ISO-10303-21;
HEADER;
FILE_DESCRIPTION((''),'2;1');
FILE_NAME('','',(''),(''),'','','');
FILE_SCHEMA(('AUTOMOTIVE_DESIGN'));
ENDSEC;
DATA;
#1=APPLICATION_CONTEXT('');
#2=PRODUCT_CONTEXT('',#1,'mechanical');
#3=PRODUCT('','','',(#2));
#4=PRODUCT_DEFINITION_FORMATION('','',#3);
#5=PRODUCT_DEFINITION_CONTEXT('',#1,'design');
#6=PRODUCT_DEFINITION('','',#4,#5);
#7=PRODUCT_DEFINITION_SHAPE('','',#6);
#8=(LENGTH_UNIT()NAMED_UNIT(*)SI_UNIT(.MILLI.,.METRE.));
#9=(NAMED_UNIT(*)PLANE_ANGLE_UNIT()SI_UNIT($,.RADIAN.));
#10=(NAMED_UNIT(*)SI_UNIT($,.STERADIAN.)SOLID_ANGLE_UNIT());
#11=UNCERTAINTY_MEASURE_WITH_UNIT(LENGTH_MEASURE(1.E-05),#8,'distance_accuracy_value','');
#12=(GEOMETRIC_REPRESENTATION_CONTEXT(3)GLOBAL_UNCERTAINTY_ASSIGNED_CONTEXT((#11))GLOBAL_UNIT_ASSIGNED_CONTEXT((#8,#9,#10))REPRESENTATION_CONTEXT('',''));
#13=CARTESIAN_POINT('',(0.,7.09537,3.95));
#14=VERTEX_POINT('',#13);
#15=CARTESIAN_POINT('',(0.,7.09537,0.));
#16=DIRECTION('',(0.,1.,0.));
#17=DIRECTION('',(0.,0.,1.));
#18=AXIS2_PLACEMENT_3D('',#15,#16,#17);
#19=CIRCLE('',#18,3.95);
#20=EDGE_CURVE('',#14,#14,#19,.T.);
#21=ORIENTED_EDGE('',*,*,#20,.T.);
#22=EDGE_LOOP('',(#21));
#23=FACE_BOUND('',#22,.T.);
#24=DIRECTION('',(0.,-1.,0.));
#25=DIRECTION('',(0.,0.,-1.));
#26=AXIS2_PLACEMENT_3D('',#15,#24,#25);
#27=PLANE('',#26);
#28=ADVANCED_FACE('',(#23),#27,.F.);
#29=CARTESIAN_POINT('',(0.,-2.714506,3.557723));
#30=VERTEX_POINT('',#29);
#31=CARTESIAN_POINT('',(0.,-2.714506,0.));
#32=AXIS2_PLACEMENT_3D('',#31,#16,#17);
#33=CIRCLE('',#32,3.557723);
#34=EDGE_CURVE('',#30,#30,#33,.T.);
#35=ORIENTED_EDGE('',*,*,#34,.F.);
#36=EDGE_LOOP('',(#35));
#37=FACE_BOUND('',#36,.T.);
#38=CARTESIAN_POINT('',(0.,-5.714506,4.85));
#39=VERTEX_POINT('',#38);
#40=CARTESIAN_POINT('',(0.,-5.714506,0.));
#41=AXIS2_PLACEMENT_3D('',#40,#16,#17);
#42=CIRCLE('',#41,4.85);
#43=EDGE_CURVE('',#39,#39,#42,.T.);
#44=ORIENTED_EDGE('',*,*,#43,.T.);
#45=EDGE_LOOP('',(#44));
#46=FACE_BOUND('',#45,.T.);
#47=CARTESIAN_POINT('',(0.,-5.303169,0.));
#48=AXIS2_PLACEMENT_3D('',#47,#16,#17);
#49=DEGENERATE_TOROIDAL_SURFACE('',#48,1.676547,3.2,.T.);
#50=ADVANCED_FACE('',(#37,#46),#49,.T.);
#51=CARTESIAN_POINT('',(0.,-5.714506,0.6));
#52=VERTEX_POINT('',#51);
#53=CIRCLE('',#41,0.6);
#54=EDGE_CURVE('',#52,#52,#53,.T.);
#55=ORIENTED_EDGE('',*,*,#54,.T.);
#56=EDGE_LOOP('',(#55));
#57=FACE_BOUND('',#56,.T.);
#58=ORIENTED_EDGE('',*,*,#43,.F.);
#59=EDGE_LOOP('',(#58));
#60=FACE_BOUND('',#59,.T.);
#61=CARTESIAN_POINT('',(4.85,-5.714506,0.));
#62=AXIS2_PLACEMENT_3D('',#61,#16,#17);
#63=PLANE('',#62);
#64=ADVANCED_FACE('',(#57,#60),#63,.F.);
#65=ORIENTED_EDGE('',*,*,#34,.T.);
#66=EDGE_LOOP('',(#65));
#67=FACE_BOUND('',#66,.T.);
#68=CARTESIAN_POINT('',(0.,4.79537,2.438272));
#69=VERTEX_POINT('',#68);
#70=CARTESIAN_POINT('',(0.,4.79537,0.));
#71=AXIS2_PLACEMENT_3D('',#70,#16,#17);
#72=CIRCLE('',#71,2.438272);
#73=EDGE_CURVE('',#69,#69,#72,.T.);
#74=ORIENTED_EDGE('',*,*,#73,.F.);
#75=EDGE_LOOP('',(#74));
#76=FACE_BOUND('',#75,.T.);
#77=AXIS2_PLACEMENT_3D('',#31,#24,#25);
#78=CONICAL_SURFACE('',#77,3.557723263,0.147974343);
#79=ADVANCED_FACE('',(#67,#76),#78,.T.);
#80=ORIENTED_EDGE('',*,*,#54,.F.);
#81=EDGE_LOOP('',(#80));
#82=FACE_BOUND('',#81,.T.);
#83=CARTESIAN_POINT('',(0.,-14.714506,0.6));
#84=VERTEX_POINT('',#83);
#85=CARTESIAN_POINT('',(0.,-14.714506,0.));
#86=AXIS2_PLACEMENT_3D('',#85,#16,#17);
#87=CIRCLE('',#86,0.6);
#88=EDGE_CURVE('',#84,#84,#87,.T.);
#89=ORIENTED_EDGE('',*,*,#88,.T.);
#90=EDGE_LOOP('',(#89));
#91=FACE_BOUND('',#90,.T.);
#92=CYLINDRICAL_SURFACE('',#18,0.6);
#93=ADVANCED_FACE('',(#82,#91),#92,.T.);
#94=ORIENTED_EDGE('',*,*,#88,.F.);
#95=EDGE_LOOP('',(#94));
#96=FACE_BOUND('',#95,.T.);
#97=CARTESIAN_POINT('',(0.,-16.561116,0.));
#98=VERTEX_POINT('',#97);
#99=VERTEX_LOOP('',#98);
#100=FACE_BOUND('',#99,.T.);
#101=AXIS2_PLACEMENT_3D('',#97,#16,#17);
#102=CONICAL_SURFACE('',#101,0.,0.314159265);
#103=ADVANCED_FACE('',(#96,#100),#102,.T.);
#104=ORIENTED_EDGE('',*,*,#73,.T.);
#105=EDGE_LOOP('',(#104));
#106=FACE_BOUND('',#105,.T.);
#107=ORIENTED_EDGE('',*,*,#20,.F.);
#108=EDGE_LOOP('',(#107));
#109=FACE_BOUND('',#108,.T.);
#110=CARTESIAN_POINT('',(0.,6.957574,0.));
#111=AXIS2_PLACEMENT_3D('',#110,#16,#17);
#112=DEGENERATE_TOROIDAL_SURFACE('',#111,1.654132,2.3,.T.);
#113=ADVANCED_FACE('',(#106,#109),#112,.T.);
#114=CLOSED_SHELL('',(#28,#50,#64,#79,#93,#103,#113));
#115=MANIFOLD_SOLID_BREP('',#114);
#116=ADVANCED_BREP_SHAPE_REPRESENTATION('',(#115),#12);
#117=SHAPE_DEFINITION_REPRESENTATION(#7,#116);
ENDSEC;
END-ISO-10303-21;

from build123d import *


with BuildPart() as part:
    # Sketch1 → Revolve1 (revolve)
    with BuildSketch(Plane.XY, mode=Mode.PRIVATE) as revolve1_sk:
        with BuildLine():
            Line((0, 7.09537037), (3.95, 7.09537037))
            ThreePointArc((3.95, 7.09537037), (3.576139111, 5.694289828), (2.438271605, 4.79537037))
            Line((2.438271605, 4.79537037), (3.557723263, -2.714506173))
            ThreePointArc((3.557723263, -2.714506173), (4.615478693, -4.037198455), (4.85, -5.714506173))
            Line((4.85, -5.714506173), (0.6, -5.714506173))
            Line((0.6, -5.714506173), (0.6, -14.714506173))
            Line((0.6, -14.714506173), (0, -16.561116295))
            Line((0, -16.561116295), (0, 7.09537037))
        make_face()
    revolve(revolve1_sk.sketch.rotate(Axis((0, 7.09537037, 0), (0, -1, 0)), 90), axis=Axis((0, 7.09537037, 0), (0, -1, 0)))


solid = part.part
